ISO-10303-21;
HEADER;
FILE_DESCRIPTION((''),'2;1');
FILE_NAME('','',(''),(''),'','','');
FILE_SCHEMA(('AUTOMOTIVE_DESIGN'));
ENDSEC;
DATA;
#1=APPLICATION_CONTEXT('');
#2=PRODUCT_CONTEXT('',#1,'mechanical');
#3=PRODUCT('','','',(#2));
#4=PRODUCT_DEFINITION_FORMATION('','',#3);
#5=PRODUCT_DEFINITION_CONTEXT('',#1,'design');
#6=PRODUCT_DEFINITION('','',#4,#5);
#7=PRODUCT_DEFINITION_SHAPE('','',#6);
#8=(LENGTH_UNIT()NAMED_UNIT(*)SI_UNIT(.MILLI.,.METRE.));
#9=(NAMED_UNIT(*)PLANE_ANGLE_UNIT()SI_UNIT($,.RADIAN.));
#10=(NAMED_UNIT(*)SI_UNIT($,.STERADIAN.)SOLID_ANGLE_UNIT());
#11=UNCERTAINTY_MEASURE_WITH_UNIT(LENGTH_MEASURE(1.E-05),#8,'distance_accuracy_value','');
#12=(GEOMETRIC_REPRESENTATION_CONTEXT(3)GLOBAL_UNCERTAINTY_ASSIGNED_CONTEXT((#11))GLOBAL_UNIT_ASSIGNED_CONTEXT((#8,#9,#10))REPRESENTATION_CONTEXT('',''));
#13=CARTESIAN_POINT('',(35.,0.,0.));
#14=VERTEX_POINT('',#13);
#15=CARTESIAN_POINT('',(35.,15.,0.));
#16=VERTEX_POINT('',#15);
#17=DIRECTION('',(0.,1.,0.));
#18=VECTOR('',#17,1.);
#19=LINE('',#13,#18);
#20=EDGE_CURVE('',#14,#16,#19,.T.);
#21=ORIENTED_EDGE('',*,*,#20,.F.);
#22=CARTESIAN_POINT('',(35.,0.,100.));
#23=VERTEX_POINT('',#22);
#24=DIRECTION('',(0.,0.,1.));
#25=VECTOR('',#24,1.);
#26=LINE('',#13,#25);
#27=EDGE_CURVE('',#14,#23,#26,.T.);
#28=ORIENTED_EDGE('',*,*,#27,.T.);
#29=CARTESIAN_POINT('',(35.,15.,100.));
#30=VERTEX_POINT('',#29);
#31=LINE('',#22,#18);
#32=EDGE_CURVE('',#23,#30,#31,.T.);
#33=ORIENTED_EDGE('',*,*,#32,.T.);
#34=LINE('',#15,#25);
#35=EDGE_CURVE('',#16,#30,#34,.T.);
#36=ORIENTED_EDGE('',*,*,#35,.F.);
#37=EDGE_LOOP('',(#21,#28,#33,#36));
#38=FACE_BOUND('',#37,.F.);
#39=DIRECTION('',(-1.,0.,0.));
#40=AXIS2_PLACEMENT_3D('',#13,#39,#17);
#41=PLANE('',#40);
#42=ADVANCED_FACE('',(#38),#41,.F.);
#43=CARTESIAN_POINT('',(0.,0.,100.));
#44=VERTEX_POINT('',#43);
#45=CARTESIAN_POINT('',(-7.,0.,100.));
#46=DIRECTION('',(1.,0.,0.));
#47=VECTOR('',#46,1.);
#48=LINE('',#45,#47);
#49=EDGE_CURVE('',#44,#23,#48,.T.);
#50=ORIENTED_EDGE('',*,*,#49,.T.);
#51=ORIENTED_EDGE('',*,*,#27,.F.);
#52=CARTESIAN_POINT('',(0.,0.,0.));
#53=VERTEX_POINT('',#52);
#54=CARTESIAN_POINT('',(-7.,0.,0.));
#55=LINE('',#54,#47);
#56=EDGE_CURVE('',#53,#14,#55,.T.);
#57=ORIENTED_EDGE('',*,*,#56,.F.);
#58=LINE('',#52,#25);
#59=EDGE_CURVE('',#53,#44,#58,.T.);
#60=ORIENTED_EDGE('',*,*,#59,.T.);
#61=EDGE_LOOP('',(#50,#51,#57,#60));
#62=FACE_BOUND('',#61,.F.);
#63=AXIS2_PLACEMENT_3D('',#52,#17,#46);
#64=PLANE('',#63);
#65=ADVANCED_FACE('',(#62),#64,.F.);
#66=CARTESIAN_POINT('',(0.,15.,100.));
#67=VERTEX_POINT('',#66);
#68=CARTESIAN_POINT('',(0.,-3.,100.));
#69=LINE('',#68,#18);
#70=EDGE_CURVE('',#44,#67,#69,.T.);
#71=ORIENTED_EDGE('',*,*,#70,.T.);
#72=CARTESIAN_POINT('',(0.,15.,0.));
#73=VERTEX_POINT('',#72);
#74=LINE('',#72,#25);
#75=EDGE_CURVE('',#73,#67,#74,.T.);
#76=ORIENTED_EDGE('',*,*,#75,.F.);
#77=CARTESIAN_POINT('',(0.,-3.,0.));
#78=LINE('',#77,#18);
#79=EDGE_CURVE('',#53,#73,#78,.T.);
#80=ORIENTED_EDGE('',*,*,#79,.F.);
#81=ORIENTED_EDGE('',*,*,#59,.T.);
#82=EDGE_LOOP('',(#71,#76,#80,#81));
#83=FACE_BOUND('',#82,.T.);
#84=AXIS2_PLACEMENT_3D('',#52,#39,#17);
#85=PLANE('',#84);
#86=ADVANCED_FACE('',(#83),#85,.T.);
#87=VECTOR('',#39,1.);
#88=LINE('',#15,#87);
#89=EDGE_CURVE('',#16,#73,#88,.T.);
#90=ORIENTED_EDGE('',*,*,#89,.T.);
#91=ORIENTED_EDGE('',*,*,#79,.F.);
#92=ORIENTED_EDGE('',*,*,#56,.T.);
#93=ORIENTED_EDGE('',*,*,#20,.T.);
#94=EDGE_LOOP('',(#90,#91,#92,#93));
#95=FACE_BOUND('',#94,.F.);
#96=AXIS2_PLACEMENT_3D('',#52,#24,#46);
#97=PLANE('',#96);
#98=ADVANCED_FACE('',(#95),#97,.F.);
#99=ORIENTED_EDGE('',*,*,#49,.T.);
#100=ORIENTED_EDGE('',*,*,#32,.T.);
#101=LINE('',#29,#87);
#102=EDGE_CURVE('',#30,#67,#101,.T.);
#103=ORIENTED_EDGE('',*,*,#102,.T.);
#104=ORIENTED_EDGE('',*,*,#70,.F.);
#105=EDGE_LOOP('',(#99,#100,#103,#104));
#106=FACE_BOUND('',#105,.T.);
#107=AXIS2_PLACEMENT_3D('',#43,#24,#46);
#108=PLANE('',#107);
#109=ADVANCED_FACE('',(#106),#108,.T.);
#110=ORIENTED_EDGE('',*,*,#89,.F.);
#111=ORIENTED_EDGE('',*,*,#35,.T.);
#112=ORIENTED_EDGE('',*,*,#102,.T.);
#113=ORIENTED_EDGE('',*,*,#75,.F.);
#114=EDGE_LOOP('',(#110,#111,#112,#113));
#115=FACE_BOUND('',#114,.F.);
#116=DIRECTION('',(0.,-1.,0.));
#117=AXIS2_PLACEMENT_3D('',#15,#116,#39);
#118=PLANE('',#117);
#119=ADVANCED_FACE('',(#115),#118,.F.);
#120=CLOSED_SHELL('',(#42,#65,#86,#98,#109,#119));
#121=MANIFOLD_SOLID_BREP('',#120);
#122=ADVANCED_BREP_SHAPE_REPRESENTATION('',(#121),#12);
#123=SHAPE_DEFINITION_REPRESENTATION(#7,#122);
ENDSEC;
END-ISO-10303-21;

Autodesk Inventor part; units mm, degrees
ref_plane "YZ Plane" through (0, 0, 0) normal (1, 0, 0) x (0, 1, 0)
ref_plane "XZ Plane" through (0, 0, 0) normal (0, 1, 0) x (-1, 0, 0)
ref_plane "XY Plane" through (0, 0, 0) normal (0, 0, 1) x (1, 0, 0)
sketch "Skizze1" plane through (0, 0, 0) normal (0, 0, 1) x (1, 0, 0)
  line L0 (-7, 0) -> (42, 0) projected
  line L1 (0, -3) -> (0, 18) projected
  line L2 (0, 0) -> (35, 0)
  line L3 (35, 0) -> (35, 15)
  line L4 (35, 15) -> (0, 15)
  line L5 (0, 15) -> (0, 0)
  dimension "d0" = 15
  dimension "d1" = 35
extrude "Extrusion1" add sketch "Skizze1" along normal blind 100
properties part number "Akku"
